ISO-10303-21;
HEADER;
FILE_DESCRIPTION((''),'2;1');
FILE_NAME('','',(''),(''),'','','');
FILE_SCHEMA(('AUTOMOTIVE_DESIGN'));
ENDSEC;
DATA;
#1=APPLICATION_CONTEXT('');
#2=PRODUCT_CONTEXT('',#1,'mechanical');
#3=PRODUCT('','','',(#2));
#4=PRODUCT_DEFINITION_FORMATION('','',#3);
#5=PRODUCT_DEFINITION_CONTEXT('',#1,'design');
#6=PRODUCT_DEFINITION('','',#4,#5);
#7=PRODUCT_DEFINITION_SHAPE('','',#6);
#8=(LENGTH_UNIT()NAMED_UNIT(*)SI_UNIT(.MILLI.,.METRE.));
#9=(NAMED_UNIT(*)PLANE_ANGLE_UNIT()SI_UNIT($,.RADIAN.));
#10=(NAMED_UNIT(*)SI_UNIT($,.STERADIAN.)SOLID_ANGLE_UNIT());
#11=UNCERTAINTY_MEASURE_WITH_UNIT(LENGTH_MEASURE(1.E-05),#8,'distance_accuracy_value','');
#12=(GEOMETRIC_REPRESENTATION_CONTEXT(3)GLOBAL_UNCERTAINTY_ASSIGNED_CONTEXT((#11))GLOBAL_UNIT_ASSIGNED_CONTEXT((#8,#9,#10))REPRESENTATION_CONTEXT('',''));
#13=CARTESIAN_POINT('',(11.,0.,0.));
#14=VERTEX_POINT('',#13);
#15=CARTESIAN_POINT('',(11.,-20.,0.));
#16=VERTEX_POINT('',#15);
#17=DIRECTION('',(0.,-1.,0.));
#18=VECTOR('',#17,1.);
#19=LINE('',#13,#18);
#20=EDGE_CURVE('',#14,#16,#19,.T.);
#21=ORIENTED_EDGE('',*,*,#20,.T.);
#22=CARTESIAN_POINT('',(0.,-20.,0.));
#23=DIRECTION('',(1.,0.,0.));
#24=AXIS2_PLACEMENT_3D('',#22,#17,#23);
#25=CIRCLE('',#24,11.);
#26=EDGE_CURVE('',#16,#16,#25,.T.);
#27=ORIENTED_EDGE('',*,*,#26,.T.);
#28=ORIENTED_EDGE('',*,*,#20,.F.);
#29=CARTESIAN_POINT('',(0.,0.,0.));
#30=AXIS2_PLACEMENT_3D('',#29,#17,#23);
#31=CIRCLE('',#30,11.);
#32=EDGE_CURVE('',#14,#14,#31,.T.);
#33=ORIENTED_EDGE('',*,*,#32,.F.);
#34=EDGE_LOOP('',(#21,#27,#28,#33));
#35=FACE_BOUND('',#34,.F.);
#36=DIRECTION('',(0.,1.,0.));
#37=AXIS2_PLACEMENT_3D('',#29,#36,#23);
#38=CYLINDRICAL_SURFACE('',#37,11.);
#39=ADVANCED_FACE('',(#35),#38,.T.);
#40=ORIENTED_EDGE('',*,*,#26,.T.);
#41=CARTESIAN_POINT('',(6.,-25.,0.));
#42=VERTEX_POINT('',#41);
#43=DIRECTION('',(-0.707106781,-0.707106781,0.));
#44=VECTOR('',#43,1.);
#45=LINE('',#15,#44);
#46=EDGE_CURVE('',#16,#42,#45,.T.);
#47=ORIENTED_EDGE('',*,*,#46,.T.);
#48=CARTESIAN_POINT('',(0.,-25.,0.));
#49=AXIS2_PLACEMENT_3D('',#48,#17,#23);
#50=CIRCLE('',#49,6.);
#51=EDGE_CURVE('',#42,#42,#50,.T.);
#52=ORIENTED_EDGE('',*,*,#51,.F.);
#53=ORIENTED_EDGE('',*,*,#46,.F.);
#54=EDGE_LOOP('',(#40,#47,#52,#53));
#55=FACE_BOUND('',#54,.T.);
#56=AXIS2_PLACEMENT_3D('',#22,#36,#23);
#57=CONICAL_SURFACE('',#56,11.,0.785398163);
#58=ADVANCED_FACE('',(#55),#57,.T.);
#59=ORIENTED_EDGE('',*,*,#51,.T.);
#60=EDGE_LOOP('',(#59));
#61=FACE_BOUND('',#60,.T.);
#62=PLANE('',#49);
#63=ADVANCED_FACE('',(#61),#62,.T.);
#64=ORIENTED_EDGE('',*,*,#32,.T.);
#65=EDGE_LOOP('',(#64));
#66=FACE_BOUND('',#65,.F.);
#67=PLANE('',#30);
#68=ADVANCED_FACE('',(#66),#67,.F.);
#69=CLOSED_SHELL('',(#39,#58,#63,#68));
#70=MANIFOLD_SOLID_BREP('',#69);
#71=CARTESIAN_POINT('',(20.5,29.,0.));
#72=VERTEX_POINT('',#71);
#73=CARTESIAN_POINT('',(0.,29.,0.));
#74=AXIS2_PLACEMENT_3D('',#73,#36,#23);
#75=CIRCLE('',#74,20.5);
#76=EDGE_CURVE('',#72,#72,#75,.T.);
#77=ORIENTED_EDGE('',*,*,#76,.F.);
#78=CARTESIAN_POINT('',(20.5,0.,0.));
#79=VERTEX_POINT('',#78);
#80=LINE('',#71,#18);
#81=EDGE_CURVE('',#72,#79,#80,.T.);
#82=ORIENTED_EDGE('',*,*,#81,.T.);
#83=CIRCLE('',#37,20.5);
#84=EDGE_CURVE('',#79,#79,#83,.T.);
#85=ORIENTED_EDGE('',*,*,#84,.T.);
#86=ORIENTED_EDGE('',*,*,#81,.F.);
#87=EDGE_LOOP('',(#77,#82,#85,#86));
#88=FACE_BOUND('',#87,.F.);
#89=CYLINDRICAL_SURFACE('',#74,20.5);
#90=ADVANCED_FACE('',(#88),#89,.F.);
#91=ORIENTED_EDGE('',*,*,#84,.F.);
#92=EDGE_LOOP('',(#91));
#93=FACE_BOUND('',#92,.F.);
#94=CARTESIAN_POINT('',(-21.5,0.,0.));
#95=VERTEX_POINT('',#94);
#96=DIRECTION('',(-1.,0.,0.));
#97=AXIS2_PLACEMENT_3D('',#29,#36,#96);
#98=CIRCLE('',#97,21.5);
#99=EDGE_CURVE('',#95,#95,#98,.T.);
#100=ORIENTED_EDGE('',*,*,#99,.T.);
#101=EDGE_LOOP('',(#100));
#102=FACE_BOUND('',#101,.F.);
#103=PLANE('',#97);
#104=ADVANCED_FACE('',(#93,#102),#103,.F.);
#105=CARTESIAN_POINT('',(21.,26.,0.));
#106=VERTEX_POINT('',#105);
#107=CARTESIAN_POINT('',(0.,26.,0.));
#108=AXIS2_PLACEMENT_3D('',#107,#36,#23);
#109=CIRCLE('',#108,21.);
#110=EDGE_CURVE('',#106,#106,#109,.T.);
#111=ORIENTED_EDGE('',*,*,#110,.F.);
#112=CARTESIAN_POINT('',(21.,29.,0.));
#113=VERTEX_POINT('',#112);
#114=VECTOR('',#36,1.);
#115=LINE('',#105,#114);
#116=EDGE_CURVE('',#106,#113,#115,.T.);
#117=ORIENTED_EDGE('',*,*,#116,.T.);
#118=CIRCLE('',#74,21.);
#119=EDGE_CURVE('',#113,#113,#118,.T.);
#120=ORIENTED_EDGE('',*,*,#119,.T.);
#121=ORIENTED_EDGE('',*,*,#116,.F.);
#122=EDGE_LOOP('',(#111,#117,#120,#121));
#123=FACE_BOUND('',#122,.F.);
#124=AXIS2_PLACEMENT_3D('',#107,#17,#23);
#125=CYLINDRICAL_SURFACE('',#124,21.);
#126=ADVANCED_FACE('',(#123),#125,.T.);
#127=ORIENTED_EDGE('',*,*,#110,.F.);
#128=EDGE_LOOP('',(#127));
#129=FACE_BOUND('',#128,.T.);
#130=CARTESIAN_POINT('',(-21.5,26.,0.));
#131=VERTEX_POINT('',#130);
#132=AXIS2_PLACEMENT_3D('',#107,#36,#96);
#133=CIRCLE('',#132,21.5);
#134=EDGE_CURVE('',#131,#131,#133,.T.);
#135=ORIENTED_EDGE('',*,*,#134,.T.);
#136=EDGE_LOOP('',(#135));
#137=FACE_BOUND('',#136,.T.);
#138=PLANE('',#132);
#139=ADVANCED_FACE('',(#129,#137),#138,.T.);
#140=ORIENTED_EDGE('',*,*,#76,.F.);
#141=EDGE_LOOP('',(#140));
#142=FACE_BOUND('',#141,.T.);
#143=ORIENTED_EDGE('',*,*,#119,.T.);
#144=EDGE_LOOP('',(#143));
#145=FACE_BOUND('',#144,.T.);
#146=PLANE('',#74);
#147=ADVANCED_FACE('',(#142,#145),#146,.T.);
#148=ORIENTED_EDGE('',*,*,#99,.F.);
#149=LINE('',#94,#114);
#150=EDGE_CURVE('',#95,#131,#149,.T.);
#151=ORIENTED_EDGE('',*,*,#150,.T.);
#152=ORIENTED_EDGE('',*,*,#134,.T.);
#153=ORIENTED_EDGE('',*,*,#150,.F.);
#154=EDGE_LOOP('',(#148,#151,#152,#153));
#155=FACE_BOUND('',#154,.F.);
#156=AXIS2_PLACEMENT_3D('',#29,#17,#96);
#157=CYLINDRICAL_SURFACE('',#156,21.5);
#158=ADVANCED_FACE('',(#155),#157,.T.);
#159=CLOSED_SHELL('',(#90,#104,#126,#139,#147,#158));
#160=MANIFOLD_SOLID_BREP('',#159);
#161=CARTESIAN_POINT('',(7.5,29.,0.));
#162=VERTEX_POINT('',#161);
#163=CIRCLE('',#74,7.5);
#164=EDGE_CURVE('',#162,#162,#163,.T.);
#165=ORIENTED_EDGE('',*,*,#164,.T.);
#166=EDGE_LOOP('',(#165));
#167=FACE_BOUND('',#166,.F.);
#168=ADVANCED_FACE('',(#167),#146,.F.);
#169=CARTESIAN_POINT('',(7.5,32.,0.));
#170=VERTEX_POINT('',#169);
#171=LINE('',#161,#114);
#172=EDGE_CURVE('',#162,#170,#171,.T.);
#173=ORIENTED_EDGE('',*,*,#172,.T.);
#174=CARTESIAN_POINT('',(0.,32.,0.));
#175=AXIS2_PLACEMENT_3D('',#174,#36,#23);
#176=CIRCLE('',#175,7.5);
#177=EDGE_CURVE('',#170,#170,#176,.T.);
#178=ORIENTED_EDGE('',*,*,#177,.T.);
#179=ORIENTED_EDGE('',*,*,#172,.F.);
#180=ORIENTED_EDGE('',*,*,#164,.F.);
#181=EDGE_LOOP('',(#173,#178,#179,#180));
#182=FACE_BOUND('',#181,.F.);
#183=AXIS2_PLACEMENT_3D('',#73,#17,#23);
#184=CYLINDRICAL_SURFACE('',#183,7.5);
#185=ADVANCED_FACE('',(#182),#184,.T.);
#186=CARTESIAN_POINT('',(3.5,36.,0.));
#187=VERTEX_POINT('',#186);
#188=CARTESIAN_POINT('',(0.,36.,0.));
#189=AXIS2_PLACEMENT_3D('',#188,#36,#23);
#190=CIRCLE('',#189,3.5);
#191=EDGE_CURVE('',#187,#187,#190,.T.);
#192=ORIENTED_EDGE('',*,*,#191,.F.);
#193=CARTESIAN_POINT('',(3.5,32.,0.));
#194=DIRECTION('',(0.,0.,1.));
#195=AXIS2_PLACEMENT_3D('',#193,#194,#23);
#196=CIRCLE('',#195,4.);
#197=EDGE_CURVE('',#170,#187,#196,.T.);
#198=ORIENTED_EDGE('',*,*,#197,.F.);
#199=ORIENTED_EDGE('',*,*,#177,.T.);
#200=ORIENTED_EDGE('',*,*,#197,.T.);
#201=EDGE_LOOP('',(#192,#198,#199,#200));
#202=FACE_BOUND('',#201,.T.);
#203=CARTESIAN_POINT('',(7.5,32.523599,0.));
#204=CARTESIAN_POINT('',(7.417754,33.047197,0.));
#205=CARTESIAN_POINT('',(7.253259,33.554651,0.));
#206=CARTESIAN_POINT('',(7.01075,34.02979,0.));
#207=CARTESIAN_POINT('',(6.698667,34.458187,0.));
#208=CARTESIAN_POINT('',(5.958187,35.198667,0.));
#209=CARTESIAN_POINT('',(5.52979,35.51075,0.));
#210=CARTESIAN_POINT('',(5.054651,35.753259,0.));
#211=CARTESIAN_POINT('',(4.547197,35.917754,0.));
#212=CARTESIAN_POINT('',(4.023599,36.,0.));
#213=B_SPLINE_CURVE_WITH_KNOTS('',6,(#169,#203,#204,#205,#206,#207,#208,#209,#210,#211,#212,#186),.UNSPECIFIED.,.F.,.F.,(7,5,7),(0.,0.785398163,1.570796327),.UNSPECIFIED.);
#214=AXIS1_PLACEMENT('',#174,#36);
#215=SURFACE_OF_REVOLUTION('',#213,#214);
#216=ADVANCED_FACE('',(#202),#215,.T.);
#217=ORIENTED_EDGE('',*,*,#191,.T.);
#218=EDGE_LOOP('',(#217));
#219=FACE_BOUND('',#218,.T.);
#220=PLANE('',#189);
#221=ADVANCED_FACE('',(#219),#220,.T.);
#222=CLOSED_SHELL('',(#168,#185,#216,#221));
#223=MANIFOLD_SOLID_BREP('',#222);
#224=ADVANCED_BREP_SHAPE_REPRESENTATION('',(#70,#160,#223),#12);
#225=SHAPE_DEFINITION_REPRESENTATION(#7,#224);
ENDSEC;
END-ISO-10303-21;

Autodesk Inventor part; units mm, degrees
ref_plane "XZ Plane" through (0, 0, 0) normal (0, 1, 0) x (-1, 0, 0)
ref_plane "XY Plane" through (0, 0, 0) normal (0, 0, 1) x (1, 0, 0)
sketch "Sketch1" plane through (0, 0, 0) normal (0, 1, 0) x (-1, 0, 0)
  circle A0 centre (0, 0) radius 21.5
  dimension "d0" = 43
extrude "Extrusion1" add sketch "Sketch1" along normal blind 26
sketch "Sketch2" plane through (0, 26, 0) normal (0, 1, 0) x (1, 0, 0)
  circle A0 centre (0, 0) radius 21
  dimension "d3" = 42
extrude "Extrusion2" add sketch "Sketch2" along normal blind 3
sketch "Sketch3" plane through (0, 29, 0) normal (0, 1, 0) x (1, 0, 0)
  circle A0 centre (0, 0) radius 20.5
  dimension "d6" = 41
extrude "Extrusion3" cut sketch "Sketch3" against normal blind 29
sketch "Sketch4" plane through (0, 29, 0) normal (0, 1, 0) x (1, 0, 0)
  circle A0 centre (0, 0) radius 7.5
  dimension "d9" = 15
extrude "Extrusion4" add sketch "Sketch4" along normal blind 7
fillet "Fillet1" radius 4 1 edges at (-7.5, 36, 0)
sketch "Sketch5" plane through (0, 0, 0) normal (0, -1, 0) x (1, 0, 0)
  circle A0 centre (0, 0) radius 11
  dimension "d13" = 22
extrude "Extrusion5" add sketch "Sketch5" along normal blind 25
chamfer "Chamfer1" distance 5 angle 45 1 edges at (-11, -25, 0)
ref_plane "Work Plane1" through (0, 0, 0) normal (1, 0, 0) x (0, 1, 0)
properties part number "RACESTAR"
